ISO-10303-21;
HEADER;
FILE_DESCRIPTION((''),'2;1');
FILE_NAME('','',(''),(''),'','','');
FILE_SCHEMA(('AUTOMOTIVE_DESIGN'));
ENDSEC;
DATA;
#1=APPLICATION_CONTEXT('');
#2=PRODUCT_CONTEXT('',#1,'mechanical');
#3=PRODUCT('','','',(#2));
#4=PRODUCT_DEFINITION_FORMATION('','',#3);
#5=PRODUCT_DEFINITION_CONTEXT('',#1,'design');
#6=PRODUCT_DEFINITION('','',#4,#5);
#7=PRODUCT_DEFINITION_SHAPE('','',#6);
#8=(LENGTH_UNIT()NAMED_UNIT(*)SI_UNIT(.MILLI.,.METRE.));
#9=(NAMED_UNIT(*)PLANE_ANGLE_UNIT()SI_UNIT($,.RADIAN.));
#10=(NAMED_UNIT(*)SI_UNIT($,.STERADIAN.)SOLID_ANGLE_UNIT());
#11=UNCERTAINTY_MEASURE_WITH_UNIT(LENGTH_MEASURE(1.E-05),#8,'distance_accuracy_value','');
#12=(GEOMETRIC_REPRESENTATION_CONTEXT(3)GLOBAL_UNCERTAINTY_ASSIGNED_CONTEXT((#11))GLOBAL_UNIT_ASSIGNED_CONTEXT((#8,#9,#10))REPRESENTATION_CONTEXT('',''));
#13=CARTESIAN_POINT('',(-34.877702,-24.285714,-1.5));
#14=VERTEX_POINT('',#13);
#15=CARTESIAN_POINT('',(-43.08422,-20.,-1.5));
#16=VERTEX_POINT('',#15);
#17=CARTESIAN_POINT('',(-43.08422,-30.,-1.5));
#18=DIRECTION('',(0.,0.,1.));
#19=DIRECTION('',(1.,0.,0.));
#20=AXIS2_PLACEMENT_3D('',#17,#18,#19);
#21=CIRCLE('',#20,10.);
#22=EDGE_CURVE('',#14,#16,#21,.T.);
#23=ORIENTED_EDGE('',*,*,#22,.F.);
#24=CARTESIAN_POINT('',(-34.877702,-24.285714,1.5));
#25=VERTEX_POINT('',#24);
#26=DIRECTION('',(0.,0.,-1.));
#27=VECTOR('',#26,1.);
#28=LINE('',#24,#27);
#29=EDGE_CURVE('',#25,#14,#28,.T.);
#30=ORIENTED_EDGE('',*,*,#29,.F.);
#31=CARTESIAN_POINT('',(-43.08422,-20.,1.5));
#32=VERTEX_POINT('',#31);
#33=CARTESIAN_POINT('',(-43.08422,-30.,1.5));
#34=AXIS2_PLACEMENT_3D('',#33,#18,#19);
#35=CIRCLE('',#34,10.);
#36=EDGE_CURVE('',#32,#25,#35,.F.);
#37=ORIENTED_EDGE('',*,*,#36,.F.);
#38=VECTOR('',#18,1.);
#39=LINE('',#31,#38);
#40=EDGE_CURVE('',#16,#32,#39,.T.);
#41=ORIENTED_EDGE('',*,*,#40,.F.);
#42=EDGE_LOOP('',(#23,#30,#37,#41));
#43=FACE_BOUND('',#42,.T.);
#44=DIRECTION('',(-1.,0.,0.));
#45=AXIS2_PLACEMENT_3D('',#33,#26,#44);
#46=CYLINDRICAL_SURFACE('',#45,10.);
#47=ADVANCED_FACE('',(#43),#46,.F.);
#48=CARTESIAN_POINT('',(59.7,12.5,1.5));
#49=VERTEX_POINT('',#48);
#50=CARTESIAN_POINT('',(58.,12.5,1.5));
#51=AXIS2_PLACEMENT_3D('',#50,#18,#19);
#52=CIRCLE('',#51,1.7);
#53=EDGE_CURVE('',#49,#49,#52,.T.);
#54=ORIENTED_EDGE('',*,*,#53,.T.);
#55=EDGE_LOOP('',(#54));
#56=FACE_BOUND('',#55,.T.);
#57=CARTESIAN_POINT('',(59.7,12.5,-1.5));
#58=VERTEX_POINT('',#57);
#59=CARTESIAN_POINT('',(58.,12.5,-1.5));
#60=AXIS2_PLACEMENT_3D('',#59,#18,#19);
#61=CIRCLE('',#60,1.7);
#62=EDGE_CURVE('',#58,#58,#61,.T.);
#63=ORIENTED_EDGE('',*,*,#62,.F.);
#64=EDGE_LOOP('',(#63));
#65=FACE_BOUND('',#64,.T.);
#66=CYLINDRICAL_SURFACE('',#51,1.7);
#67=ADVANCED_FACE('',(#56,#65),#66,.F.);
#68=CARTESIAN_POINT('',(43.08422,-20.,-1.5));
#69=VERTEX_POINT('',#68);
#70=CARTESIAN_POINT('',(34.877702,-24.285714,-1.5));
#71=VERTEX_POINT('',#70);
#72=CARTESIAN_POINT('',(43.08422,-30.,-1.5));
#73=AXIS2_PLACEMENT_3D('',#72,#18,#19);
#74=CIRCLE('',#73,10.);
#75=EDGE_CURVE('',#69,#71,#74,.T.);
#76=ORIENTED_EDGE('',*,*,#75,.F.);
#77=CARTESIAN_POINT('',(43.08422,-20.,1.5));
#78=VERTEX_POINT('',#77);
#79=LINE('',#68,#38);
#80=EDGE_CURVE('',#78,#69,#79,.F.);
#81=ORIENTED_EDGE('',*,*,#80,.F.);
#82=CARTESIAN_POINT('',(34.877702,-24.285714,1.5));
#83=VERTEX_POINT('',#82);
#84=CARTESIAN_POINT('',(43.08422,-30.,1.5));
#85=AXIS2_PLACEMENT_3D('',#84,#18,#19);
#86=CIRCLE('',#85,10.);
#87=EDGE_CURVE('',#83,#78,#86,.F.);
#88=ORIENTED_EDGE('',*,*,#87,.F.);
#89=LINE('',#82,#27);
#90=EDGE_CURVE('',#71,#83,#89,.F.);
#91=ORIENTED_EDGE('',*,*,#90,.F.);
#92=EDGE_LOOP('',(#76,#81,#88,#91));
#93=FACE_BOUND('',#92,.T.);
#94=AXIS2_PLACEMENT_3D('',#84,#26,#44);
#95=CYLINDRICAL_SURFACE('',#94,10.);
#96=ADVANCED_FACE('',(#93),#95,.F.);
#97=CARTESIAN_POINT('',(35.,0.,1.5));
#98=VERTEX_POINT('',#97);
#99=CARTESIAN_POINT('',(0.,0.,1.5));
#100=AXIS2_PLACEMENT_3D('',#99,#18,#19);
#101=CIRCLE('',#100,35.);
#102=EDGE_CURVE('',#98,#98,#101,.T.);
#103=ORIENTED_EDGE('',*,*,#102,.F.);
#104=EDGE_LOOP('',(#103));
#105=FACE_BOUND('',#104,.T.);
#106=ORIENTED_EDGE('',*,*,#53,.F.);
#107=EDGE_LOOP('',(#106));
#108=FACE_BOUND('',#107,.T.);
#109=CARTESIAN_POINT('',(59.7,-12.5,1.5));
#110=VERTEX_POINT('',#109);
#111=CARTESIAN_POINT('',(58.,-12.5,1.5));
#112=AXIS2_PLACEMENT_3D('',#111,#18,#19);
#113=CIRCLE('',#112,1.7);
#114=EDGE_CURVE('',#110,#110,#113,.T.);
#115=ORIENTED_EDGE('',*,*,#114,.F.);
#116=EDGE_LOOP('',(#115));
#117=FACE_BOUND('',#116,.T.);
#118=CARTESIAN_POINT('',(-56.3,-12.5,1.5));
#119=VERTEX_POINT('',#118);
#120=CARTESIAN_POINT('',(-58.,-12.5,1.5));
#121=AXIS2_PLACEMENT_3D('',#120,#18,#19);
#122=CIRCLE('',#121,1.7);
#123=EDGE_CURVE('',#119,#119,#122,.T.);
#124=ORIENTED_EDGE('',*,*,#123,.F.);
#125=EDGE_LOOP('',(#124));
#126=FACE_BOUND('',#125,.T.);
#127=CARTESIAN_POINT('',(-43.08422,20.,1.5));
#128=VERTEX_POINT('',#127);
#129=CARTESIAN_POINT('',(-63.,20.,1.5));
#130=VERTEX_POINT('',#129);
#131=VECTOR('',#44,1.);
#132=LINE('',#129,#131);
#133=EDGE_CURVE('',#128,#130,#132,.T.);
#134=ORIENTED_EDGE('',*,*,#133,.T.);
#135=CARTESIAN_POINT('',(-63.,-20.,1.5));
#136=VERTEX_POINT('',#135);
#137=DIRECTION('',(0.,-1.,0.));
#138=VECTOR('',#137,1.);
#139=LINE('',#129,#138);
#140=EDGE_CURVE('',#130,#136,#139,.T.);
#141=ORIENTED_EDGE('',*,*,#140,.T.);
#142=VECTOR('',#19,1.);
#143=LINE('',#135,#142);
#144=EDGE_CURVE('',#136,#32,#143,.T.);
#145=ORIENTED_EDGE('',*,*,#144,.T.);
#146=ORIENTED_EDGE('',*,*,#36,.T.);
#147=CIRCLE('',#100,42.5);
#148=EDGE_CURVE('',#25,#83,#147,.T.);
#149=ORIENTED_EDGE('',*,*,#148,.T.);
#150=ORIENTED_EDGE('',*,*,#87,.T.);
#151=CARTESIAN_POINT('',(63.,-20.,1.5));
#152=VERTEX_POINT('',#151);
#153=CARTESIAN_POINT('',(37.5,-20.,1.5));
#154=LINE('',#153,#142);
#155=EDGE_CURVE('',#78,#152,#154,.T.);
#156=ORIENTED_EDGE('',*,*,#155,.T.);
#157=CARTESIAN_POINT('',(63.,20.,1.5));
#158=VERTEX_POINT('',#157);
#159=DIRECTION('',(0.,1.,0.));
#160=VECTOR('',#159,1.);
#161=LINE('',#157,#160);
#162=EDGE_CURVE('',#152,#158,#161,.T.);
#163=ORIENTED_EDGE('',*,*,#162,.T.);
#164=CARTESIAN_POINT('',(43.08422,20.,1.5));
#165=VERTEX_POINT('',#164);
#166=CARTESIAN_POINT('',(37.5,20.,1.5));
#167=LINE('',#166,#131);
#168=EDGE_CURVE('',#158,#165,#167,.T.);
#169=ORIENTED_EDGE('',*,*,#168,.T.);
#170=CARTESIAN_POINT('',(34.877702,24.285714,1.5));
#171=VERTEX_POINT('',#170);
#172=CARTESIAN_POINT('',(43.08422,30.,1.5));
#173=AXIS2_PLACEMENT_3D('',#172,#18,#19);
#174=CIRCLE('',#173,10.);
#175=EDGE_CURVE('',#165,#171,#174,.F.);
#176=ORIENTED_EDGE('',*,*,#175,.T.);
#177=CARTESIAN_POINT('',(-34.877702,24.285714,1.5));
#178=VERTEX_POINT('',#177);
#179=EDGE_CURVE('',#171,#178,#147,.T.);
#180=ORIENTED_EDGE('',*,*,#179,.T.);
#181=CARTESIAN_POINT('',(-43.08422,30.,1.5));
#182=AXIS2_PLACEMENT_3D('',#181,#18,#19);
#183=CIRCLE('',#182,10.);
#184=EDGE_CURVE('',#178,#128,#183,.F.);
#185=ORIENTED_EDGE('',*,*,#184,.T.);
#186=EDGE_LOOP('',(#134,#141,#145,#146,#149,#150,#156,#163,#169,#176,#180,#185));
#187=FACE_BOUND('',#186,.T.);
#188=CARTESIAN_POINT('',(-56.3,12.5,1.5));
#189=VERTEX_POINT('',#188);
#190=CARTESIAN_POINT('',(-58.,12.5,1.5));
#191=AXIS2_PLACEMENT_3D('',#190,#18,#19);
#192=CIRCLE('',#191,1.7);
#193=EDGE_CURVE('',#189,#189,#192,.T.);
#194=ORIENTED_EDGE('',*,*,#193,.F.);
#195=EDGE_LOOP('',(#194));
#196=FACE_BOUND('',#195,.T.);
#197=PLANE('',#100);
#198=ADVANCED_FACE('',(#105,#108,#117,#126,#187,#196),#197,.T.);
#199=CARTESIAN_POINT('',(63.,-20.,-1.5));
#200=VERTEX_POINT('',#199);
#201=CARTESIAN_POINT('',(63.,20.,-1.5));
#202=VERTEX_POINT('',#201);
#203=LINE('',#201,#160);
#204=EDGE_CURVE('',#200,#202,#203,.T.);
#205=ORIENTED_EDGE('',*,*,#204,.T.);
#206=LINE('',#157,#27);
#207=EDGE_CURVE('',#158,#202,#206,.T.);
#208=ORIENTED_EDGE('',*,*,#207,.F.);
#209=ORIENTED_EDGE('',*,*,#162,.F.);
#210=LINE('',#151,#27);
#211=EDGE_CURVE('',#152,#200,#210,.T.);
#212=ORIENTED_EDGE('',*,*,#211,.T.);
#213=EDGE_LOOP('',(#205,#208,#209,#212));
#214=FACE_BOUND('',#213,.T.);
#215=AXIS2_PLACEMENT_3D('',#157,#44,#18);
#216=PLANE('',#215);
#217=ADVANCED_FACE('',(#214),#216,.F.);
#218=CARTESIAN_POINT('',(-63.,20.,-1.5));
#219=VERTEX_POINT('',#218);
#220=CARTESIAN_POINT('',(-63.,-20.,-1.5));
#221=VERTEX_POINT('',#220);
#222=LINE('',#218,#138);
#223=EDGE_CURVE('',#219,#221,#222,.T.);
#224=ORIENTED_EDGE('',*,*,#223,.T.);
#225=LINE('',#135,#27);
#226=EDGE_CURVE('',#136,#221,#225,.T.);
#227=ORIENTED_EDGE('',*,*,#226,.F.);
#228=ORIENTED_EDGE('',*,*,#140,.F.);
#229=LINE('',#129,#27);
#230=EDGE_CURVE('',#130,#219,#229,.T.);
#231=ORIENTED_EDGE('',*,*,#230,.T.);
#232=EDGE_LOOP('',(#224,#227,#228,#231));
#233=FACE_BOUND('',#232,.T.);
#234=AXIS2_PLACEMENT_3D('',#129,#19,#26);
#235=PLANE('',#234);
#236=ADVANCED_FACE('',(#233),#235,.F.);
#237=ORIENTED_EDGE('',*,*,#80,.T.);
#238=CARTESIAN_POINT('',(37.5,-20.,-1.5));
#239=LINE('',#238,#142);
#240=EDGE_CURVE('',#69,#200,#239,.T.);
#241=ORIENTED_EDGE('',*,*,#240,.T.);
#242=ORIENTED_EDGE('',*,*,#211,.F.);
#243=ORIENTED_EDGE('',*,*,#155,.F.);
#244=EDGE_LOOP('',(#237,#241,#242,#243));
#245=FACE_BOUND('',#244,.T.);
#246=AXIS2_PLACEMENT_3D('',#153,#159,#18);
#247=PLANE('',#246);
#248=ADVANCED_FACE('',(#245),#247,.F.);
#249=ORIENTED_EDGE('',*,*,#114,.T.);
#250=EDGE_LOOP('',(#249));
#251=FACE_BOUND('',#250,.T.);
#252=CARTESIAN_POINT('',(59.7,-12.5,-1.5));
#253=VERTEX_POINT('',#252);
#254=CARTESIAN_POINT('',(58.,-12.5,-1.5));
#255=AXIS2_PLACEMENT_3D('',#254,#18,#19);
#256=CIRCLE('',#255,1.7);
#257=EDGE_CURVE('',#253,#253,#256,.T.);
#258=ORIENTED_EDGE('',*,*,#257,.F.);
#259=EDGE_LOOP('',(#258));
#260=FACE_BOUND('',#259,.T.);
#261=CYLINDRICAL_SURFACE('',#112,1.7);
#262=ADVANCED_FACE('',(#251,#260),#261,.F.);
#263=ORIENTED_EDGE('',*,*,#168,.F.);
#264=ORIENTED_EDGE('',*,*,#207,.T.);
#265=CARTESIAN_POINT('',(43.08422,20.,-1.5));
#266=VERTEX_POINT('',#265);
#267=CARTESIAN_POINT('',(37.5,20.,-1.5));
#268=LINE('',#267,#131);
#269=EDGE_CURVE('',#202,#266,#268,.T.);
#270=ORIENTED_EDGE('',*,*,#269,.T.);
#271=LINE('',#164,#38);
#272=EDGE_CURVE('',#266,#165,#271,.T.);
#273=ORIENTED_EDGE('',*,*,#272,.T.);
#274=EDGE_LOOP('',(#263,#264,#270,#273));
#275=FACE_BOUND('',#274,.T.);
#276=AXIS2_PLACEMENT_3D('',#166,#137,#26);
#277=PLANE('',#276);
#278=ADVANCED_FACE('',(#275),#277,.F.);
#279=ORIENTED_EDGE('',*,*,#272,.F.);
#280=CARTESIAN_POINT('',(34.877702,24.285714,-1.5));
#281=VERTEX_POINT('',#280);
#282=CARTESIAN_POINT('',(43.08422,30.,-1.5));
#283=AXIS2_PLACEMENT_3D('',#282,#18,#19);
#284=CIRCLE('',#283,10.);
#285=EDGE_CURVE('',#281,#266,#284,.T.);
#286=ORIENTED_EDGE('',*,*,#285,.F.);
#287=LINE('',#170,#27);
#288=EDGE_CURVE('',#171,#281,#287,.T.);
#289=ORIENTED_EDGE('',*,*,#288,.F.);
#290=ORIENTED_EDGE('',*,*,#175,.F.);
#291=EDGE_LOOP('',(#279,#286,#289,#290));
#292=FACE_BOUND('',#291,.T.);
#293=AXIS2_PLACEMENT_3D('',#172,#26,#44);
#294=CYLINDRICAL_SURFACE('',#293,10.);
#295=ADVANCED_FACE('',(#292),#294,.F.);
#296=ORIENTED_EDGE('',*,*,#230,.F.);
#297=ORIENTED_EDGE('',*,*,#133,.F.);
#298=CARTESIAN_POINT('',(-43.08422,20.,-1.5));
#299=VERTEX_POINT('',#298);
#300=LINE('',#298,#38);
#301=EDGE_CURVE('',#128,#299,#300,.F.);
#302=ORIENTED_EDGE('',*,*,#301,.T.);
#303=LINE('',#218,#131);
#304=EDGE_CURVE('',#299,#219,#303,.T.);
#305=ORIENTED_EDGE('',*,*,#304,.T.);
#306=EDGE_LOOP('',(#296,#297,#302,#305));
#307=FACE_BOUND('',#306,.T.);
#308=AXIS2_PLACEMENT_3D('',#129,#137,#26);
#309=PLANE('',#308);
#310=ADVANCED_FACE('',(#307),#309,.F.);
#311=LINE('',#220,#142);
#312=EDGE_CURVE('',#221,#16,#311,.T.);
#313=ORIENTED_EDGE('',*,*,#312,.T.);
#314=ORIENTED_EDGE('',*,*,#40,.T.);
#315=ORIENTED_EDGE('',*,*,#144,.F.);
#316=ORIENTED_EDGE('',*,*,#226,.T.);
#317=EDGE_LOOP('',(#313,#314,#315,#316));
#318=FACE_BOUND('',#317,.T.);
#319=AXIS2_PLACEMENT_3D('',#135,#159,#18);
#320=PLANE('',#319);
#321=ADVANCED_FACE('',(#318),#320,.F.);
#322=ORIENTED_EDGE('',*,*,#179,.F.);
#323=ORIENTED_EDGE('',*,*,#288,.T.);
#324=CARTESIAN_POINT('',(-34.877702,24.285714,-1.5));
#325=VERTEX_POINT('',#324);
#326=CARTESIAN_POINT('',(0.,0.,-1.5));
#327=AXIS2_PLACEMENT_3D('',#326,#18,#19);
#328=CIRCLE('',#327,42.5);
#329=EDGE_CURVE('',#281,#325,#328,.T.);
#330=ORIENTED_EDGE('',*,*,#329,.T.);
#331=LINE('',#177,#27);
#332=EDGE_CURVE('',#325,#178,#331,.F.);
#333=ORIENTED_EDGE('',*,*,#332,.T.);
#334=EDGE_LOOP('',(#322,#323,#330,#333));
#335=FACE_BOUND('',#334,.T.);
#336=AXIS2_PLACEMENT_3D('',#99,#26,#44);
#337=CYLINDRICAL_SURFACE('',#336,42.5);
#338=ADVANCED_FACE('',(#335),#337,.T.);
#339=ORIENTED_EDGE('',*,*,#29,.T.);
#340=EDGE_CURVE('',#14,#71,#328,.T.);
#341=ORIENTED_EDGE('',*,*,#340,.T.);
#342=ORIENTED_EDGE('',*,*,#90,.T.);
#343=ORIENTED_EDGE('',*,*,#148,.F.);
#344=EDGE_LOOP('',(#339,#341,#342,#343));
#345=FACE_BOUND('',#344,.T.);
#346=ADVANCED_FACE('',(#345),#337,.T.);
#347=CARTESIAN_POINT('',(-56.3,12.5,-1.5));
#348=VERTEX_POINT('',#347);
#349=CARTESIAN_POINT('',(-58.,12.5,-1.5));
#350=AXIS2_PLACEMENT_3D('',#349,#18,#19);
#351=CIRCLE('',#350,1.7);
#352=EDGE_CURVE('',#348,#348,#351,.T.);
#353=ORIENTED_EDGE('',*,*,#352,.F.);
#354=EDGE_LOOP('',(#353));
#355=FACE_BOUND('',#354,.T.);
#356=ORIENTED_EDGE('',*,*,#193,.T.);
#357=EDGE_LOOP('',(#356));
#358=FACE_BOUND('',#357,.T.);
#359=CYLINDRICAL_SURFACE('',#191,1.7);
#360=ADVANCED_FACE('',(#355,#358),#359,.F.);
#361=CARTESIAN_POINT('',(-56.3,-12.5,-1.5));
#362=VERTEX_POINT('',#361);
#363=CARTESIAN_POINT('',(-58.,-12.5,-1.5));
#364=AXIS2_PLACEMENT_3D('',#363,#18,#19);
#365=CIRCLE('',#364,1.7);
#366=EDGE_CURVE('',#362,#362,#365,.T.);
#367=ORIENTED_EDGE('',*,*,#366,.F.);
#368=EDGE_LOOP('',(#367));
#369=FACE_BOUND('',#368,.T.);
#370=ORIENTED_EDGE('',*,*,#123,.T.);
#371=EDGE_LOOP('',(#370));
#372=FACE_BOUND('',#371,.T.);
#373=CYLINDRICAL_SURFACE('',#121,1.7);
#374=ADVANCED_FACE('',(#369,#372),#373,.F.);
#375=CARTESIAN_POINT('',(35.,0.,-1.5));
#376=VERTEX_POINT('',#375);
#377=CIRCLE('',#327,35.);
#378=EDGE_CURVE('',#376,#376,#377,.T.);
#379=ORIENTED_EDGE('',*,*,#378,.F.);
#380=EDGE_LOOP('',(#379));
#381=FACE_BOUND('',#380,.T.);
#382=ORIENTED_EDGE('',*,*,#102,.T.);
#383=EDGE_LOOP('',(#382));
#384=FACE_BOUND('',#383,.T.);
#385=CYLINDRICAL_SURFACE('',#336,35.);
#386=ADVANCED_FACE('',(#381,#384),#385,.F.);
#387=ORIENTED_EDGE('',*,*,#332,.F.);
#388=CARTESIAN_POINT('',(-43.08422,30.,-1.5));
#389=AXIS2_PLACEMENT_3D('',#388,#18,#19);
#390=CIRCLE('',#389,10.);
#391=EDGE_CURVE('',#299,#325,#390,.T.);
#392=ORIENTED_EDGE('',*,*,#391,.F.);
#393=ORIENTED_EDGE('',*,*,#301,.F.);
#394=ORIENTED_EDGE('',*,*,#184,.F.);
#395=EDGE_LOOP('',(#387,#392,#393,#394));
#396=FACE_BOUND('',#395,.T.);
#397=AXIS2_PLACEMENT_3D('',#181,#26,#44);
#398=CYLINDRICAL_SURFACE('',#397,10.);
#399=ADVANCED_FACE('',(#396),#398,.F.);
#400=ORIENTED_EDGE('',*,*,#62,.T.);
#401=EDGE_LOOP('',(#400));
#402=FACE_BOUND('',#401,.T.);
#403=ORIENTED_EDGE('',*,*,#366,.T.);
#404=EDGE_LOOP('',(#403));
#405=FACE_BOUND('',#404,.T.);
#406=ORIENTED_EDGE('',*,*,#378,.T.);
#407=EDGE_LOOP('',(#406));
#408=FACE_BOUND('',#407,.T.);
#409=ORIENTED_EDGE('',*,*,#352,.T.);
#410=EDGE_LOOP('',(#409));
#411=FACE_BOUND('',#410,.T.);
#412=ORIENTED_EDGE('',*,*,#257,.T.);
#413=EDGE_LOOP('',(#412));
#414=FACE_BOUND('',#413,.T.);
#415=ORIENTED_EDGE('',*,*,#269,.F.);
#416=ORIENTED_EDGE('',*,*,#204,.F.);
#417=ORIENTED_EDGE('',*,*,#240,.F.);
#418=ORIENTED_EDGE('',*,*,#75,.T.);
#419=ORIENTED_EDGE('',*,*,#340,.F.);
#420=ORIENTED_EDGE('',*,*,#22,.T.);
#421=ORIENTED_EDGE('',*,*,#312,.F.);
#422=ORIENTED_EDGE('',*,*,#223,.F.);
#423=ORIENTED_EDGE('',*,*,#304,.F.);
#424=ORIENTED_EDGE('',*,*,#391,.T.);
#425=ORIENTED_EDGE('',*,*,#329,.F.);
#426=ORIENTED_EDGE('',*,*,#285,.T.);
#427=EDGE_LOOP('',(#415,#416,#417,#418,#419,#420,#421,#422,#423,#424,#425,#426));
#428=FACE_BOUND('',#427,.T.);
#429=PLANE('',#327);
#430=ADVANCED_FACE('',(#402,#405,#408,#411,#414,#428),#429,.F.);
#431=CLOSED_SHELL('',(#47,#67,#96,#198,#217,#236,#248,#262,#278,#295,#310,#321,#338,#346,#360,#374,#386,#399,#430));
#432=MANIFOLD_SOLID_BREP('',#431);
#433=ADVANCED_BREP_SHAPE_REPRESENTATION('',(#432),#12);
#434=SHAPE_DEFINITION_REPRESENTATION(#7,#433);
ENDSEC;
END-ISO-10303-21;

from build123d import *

# Parameters (mm, degrees)
SKETCH1_R            = 35
BOSS_EXTRUDE1_DEPTH  = 1.5
M3_CLEARANCE_HOLE1_D = 3.4
FILLET1_R            = 10


with BuildPart() as part:
    # Sketch1 → Boss-Extrude1 (new, symmetric)
    with BuildSketch(Plane.XY):
        with BuildLine():
            Line((-63, 20), (-37.5, 20))
            ThreePointArc((-37.5, 20), (0, 42.5), (37.5, 20))
            Line((37.5, 20), (63, 20))
            Line((63, 20), (63, -20))
            Line((63, -20), (37.5, -20))
            ThreePointArc((37.5, -20), (0, -42.5), (-37.5, -20))
            Line((-37.5, -20), (-63, -20))
            Line((-63, -20), (-63, 20))
        make_face()
        Circle(SKETCH1_R, mode=Mode.SUBTRACT)
    extrude(amount=BOSS_EXTRUDE1_DEPTH, both=True)

    # M3 Clearance Hole1 (through all)
    with Locations(Plane.XY.offset(1.5)):
        with Locations((-58, 12.5), (-58, -12.5)):
            m3_clearance_hole1 = Hole(M3_CLEARANCE_HOLE1_D / 2)

    # Mirror1: M3 Clearance Hole1 across plane
    add(m3_clearance_hole1.mirror(Plane(origin=(0, 0, 0), x_dir=(0, 0, 1), z_dir=(1, 0, 0))), mode=Mode.SUBTRACT)

    # Fillet1
    fillet1_edges = [part.edges().sort_by_distance(p)[0] for p in [
        (37.5, 20, 0),
        (37.5, -20, 0),
        (-37.5, -20, 0),
        (-37.5, 20, 0),
    ]]
    fillet(fillet1_edges, radius=FILLET1_R)


solid = part.part
